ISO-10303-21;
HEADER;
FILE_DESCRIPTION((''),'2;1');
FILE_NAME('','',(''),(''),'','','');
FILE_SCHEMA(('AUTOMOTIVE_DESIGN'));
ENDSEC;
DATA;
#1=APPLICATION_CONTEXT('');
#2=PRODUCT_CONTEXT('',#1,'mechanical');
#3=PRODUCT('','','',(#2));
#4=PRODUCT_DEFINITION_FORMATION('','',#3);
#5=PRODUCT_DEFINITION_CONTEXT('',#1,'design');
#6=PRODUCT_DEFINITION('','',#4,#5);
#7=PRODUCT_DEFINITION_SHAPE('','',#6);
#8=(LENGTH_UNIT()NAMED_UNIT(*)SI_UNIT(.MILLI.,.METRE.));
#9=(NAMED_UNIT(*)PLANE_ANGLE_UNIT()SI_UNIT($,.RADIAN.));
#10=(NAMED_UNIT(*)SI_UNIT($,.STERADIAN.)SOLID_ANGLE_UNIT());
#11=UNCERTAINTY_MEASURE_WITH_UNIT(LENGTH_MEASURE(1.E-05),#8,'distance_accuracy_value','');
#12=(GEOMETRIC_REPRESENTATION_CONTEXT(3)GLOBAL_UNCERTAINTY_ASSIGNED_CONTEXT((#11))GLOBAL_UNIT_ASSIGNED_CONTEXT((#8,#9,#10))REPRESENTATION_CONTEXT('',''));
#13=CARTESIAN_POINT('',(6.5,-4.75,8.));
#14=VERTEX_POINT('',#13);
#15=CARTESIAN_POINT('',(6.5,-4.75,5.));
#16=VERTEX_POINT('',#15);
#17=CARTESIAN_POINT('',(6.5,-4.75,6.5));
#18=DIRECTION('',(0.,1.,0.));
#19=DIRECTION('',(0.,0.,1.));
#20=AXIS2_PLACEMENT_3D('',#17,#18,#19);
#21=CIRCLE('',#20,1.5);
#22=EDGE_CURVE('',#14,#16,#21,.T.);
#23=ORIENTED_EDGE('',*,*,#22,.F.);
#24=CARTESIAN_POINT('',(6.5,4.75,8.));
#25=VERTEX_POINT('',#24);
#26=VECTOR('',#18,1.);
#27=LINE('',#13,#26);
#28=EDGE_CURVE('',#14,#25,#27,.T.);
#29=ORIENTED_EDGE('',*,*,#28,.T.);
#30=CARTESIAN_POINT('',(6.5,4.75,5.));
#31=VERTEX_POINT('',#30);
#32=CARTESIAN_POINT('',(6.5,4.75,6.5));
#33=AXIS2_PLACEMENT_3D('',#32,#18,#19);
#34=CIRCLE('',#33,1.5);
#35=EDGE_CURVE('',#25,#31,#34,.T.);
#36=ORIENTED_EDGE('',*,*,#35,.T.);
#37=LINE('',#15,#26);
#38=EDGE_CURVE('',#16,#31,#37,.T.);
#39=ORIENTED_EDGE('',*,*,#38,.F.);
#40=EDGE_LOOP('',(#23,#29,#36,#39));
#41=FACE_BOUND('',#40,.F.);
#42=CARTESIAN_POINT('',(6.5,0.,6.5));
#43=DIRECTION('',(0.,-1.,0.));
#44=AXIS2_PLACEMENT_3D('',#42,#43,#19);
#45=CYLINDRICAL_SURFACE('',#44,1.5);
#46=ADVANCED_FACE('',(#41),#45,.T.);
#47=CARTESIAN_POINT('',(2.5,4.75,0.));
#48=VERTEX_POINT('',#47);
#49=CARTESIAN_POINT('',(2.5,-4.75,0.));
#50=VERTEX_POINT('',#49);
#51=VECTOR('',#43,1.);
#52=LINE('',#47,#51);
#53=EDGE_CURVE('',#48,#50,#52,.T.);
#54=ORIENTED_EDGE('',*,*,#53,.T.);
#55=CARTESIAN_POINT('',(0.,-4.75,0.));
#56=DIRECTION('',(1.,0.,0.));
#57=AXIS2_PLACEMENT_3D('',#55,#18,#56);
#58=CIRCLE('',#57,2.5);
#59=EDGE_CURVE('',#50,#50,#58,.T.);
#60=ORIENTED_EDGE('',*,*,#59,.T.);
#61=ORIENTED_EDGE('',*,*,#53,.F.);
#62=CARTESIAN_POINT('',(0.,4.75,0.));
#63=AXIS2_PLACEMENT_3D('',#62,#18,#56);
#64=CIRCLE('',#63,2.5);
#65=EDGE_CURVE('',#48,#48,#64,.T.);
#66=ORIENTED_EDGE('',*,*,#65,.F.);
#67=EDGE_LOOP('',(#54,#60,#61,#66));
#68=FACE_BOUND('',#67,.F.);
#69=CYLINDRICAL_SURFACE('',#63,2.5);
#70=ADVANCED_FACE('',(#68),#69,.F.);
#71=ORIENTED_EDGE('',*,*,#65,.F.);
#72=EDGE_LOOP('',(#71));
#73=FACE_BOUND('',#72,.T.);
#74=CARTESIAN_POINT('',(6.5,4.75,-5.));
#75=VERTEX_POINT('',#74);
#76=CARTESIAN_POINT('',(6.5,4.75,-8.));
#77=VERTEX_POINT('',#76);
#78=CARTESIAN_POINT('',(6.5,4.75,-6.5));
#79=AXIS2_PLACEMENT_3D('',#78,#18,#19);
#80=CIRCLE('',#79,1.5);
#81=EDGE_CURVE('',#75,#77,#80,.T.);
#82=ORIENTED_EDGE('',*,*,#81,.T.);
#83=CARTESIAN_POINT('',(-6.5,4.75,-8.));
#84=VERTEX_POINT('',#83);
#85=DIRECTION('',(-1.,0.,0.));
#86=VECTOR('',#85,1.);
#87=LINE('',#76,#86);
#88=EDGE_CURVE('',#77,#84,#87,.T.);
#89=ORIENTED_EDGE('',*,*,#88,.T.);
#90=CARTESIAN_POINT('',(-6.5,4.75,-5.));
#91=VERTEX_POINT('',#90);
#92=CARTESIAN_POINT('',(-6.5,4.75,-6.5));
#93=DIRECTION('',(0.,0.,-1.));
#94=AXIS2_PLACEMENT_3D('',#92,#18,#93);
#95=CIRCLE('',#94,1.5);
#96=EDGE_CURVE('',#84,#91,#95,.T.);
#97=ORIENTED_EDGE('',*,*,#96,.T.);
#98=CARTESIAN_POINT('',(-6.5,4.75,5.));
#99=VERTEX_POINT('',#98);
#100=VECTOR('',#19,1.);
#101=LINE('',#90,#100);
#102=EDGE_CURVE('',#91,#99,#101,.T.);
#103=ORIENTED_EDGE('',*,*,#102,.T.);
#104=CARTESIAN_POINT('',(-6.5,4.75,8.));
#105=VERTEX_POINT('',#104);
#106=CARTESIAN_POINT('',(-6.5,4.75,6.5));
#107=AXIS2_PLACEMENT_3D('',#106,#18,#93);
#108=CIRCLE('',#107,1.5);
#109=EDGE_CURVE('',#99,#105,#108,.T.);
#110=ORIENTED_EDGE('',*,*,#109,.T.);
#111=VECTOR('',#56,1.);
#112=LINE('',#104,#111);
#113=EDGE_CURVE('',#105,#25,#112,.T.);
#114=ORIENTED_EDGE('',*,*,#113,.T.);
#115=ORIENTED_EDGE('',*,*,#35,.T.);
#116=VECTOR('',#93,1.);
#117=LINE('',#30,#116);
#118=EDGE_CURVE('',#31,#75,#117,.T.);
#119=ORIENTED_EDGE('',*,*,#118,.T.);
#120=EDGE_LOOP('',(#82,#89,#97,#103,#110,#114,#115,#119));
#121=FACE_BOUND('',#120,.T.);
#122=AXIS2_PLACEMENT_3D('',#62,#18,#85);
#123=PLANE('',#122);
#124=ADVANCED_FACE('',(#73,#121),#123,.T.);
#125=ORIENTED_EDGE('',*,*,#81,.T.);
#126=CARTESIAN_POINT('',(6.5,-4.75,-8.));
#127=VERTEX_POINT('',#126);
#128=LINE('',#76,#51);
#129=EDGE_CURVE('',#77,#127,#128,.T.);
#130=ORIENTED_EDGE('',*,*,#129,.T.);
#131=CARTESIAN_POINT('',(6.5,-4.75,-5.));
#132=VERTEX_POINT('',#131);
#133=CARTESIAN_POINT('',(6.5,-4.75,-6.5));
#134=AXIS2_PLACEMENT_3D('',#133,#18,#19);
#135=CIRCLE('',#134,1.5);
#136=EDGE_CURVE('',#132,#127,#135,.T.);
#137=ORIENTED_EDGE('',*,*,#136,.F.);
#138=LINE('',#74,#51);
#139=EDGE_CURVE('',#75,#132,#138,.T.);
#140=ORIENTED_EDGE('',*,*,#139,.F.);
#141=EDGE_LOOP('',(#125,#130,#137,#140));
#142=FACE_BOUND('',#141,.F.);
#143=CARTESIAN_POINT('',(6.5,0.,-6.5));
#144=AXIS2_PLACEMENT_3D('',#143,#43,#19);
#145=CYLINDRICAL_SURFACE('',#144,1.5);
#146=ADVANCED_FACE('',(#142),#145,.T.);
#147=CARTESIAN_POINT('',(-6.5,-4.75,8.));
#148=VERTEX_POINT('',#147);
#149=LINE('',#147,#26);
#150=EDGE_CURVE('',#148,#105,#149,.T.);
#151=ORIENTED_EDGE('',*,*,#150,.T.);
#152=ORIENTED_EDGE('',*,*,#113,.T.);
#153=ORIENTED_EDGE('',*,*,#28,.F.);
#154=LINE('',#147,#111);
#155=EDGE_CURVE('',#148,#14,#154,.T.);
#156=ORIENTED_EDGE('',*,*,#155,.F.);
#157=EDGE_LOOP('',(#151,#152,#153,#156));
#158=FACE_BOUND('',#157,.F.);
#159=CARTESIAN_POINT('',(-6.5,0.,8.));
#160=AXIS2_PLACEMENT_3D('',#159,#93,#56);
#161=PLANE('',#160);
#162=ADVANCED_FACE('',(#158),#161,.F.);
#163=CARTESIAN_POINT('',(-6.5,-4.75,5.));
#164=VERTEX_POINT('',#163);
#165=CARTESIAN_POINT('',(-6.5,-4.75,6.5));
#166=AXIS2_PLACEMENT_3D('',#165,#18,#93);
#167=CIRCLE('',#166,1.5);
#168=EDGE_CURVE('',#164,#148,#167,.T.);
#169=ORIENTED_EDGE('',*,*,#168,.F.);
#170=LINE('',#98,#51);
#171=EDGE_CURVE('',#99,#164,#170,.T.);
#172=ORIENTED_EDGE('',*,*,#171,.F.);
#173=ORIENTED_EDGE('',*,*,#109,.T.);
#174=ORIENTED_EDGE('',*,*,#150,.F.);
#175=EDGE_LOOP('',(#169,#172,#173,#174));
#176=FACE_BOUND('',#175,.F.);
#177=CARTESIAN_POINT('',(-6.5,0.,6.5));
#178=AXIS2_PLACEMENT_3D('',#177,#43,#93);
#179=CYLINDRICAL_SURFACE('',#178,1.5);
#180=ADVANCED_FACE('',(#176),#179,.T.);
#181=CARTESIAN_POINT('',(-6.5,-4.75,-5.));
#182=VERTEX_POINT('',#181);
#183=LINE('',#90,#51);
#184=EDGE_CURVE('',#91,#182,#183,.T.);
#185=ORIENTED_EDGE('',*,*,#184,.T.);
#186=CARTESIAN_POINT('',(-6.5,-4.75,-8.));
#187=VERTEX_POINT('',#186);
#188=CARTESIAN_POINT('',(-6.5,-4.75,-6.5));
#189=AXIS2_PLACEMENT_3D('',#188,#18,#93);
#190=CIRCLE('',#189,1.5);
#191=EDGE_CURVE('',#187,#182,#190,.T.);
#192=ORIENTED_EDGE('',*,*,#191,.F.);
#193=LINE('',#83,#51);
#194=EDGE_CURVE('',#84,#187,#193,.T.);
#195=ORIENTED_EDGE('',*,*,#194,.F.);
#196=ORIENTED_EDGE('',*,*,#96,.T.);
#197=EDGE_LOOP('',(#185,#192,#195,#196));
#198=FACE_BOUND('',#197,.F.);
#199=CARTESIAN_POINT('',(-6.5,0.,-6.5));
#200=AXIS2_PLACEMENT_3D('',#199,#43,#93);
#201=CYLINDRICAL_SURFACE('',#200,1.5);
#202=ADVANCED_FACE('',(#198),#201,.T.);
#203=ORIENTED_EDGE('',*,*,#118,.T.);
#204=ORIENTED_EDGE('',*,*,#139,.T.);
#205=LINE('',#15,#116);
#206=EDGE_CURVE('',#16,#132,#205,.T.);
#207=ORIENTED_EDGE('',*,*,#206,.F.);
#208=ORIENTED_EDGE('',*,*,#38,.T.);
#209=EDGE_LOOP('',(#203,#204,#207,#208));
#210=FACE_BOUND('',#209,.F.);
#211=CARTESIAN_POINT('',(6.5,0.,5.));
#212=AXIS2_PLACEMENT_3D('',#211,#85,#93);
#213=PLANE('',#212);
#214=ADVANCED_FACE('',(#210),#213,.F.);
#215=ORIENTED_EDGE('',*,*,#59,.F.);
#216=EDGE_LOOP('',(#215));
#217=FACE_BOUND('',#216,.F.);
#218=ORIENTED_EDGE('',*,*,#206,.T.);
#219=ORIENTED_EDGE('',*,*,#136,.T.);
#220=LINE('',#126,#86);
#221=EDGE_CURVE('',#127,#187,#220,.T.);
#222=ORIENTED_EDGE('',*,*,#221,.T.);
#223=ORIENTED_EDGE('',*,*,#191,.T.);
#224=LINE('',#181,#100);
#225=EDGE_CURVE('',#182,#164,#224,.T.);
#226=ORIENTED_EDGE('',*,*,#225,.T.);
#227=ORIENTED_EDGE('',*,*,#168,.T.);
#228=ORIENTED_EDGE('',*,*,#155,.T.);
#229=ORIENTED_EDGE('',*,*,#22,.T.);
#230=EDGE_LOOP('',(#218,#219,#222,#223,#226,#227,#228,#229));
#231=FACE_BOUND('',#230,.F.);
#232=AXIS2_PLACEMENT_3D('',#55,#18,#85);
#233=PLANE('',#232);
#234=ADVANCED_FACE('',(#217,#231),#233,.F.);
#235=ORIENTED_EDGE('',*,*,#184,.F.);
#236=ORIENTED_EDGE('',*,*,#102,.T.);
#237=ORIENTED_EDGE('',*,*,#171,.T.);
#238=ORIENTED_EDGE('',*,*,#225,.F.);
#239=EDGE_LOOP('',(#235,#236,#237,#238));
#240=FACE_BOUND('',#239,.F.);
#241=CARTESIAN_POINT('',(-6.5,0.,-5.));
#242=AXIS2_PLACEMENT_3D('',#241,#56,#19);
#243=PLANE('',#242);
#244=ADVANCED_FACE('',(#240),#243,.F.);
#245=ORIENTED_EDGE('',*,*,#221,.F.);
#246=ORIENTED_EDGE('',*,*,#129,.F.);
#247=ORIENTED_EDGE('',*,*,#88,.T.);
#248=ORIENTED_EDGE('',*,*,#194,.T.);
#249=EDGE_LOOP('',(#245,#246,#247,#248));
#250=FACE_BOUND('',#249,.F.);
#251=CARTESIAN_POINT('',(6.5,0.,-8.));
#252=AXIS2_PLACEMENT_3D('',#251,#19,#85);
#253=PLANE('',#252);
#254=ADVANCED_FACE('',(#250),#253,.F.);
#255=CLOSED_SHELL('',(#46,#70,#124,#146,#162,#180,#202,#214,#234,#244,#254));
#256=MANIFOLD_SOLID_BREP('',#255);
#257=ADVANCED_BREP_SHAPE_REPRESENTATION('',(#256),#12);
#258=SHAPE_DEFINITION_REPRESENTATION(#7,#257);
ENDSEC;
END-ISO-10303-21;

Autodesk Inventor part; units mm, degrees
ref_plane "YZ Plane" through (0, 0, 0) normal (1, 0, 0) x (0, 1, 0)
ref_plane "XZ Plane" through (0, 0, 0) normal (0, 1, 0) x (-1, 0, 0)
ref_plane "XY Plane" through (0, 0, 0) normal (0, 0, 1) x (1, 0, 0)
sketch "Sketch1" plane through (0, 0, 0) normal (0, 1, 0) x (-1, 0, 0)
  line L0 (6.5, 8) -> (-6.5, 8)
  line L1 (-6.5, 5) -> (-6.5, -5)
  line L2 (-6.5, -8) -> (6.5, -8)
  line L3 (6.5, -5) -> (6.5, 5)
  line L4 (6.5, 8) -> (-6.5, -8) construction
  line L5 (-6.5, 8) -> (6.5, -8) construction
  arc A0 (6.5, 5) -> (6.5, 8) centre (6.5, 6.5) ccw
  arc A1 (6.5, -8) -> (6.5, -5) centre (6.5, -6.5) ccw
  arc A2 (-6.5, -5) -> (-6.5, -8) centre (-6.5, -6.5) ccw
  arc A3 (-6.5, 8) -> (-6.5, 5) centre (-6.5, 6.5) ccw
  point P0 (0, 0)
  dimension "d1" = 16
extrude "Extrusion1" add sketch "Sketch1" along normal mid plane 9.5
sketch "Sketch2" plane through (0, 4.75, 0) normal (0, 1, 0) x (1, 0, 0)
  circle A0 centre (0, 0) radius 2.5
  dimension "d6" = 5
extrude "Extrusion2" cut sketch "Sketch2" against normal through all
properties part number "Varia"
